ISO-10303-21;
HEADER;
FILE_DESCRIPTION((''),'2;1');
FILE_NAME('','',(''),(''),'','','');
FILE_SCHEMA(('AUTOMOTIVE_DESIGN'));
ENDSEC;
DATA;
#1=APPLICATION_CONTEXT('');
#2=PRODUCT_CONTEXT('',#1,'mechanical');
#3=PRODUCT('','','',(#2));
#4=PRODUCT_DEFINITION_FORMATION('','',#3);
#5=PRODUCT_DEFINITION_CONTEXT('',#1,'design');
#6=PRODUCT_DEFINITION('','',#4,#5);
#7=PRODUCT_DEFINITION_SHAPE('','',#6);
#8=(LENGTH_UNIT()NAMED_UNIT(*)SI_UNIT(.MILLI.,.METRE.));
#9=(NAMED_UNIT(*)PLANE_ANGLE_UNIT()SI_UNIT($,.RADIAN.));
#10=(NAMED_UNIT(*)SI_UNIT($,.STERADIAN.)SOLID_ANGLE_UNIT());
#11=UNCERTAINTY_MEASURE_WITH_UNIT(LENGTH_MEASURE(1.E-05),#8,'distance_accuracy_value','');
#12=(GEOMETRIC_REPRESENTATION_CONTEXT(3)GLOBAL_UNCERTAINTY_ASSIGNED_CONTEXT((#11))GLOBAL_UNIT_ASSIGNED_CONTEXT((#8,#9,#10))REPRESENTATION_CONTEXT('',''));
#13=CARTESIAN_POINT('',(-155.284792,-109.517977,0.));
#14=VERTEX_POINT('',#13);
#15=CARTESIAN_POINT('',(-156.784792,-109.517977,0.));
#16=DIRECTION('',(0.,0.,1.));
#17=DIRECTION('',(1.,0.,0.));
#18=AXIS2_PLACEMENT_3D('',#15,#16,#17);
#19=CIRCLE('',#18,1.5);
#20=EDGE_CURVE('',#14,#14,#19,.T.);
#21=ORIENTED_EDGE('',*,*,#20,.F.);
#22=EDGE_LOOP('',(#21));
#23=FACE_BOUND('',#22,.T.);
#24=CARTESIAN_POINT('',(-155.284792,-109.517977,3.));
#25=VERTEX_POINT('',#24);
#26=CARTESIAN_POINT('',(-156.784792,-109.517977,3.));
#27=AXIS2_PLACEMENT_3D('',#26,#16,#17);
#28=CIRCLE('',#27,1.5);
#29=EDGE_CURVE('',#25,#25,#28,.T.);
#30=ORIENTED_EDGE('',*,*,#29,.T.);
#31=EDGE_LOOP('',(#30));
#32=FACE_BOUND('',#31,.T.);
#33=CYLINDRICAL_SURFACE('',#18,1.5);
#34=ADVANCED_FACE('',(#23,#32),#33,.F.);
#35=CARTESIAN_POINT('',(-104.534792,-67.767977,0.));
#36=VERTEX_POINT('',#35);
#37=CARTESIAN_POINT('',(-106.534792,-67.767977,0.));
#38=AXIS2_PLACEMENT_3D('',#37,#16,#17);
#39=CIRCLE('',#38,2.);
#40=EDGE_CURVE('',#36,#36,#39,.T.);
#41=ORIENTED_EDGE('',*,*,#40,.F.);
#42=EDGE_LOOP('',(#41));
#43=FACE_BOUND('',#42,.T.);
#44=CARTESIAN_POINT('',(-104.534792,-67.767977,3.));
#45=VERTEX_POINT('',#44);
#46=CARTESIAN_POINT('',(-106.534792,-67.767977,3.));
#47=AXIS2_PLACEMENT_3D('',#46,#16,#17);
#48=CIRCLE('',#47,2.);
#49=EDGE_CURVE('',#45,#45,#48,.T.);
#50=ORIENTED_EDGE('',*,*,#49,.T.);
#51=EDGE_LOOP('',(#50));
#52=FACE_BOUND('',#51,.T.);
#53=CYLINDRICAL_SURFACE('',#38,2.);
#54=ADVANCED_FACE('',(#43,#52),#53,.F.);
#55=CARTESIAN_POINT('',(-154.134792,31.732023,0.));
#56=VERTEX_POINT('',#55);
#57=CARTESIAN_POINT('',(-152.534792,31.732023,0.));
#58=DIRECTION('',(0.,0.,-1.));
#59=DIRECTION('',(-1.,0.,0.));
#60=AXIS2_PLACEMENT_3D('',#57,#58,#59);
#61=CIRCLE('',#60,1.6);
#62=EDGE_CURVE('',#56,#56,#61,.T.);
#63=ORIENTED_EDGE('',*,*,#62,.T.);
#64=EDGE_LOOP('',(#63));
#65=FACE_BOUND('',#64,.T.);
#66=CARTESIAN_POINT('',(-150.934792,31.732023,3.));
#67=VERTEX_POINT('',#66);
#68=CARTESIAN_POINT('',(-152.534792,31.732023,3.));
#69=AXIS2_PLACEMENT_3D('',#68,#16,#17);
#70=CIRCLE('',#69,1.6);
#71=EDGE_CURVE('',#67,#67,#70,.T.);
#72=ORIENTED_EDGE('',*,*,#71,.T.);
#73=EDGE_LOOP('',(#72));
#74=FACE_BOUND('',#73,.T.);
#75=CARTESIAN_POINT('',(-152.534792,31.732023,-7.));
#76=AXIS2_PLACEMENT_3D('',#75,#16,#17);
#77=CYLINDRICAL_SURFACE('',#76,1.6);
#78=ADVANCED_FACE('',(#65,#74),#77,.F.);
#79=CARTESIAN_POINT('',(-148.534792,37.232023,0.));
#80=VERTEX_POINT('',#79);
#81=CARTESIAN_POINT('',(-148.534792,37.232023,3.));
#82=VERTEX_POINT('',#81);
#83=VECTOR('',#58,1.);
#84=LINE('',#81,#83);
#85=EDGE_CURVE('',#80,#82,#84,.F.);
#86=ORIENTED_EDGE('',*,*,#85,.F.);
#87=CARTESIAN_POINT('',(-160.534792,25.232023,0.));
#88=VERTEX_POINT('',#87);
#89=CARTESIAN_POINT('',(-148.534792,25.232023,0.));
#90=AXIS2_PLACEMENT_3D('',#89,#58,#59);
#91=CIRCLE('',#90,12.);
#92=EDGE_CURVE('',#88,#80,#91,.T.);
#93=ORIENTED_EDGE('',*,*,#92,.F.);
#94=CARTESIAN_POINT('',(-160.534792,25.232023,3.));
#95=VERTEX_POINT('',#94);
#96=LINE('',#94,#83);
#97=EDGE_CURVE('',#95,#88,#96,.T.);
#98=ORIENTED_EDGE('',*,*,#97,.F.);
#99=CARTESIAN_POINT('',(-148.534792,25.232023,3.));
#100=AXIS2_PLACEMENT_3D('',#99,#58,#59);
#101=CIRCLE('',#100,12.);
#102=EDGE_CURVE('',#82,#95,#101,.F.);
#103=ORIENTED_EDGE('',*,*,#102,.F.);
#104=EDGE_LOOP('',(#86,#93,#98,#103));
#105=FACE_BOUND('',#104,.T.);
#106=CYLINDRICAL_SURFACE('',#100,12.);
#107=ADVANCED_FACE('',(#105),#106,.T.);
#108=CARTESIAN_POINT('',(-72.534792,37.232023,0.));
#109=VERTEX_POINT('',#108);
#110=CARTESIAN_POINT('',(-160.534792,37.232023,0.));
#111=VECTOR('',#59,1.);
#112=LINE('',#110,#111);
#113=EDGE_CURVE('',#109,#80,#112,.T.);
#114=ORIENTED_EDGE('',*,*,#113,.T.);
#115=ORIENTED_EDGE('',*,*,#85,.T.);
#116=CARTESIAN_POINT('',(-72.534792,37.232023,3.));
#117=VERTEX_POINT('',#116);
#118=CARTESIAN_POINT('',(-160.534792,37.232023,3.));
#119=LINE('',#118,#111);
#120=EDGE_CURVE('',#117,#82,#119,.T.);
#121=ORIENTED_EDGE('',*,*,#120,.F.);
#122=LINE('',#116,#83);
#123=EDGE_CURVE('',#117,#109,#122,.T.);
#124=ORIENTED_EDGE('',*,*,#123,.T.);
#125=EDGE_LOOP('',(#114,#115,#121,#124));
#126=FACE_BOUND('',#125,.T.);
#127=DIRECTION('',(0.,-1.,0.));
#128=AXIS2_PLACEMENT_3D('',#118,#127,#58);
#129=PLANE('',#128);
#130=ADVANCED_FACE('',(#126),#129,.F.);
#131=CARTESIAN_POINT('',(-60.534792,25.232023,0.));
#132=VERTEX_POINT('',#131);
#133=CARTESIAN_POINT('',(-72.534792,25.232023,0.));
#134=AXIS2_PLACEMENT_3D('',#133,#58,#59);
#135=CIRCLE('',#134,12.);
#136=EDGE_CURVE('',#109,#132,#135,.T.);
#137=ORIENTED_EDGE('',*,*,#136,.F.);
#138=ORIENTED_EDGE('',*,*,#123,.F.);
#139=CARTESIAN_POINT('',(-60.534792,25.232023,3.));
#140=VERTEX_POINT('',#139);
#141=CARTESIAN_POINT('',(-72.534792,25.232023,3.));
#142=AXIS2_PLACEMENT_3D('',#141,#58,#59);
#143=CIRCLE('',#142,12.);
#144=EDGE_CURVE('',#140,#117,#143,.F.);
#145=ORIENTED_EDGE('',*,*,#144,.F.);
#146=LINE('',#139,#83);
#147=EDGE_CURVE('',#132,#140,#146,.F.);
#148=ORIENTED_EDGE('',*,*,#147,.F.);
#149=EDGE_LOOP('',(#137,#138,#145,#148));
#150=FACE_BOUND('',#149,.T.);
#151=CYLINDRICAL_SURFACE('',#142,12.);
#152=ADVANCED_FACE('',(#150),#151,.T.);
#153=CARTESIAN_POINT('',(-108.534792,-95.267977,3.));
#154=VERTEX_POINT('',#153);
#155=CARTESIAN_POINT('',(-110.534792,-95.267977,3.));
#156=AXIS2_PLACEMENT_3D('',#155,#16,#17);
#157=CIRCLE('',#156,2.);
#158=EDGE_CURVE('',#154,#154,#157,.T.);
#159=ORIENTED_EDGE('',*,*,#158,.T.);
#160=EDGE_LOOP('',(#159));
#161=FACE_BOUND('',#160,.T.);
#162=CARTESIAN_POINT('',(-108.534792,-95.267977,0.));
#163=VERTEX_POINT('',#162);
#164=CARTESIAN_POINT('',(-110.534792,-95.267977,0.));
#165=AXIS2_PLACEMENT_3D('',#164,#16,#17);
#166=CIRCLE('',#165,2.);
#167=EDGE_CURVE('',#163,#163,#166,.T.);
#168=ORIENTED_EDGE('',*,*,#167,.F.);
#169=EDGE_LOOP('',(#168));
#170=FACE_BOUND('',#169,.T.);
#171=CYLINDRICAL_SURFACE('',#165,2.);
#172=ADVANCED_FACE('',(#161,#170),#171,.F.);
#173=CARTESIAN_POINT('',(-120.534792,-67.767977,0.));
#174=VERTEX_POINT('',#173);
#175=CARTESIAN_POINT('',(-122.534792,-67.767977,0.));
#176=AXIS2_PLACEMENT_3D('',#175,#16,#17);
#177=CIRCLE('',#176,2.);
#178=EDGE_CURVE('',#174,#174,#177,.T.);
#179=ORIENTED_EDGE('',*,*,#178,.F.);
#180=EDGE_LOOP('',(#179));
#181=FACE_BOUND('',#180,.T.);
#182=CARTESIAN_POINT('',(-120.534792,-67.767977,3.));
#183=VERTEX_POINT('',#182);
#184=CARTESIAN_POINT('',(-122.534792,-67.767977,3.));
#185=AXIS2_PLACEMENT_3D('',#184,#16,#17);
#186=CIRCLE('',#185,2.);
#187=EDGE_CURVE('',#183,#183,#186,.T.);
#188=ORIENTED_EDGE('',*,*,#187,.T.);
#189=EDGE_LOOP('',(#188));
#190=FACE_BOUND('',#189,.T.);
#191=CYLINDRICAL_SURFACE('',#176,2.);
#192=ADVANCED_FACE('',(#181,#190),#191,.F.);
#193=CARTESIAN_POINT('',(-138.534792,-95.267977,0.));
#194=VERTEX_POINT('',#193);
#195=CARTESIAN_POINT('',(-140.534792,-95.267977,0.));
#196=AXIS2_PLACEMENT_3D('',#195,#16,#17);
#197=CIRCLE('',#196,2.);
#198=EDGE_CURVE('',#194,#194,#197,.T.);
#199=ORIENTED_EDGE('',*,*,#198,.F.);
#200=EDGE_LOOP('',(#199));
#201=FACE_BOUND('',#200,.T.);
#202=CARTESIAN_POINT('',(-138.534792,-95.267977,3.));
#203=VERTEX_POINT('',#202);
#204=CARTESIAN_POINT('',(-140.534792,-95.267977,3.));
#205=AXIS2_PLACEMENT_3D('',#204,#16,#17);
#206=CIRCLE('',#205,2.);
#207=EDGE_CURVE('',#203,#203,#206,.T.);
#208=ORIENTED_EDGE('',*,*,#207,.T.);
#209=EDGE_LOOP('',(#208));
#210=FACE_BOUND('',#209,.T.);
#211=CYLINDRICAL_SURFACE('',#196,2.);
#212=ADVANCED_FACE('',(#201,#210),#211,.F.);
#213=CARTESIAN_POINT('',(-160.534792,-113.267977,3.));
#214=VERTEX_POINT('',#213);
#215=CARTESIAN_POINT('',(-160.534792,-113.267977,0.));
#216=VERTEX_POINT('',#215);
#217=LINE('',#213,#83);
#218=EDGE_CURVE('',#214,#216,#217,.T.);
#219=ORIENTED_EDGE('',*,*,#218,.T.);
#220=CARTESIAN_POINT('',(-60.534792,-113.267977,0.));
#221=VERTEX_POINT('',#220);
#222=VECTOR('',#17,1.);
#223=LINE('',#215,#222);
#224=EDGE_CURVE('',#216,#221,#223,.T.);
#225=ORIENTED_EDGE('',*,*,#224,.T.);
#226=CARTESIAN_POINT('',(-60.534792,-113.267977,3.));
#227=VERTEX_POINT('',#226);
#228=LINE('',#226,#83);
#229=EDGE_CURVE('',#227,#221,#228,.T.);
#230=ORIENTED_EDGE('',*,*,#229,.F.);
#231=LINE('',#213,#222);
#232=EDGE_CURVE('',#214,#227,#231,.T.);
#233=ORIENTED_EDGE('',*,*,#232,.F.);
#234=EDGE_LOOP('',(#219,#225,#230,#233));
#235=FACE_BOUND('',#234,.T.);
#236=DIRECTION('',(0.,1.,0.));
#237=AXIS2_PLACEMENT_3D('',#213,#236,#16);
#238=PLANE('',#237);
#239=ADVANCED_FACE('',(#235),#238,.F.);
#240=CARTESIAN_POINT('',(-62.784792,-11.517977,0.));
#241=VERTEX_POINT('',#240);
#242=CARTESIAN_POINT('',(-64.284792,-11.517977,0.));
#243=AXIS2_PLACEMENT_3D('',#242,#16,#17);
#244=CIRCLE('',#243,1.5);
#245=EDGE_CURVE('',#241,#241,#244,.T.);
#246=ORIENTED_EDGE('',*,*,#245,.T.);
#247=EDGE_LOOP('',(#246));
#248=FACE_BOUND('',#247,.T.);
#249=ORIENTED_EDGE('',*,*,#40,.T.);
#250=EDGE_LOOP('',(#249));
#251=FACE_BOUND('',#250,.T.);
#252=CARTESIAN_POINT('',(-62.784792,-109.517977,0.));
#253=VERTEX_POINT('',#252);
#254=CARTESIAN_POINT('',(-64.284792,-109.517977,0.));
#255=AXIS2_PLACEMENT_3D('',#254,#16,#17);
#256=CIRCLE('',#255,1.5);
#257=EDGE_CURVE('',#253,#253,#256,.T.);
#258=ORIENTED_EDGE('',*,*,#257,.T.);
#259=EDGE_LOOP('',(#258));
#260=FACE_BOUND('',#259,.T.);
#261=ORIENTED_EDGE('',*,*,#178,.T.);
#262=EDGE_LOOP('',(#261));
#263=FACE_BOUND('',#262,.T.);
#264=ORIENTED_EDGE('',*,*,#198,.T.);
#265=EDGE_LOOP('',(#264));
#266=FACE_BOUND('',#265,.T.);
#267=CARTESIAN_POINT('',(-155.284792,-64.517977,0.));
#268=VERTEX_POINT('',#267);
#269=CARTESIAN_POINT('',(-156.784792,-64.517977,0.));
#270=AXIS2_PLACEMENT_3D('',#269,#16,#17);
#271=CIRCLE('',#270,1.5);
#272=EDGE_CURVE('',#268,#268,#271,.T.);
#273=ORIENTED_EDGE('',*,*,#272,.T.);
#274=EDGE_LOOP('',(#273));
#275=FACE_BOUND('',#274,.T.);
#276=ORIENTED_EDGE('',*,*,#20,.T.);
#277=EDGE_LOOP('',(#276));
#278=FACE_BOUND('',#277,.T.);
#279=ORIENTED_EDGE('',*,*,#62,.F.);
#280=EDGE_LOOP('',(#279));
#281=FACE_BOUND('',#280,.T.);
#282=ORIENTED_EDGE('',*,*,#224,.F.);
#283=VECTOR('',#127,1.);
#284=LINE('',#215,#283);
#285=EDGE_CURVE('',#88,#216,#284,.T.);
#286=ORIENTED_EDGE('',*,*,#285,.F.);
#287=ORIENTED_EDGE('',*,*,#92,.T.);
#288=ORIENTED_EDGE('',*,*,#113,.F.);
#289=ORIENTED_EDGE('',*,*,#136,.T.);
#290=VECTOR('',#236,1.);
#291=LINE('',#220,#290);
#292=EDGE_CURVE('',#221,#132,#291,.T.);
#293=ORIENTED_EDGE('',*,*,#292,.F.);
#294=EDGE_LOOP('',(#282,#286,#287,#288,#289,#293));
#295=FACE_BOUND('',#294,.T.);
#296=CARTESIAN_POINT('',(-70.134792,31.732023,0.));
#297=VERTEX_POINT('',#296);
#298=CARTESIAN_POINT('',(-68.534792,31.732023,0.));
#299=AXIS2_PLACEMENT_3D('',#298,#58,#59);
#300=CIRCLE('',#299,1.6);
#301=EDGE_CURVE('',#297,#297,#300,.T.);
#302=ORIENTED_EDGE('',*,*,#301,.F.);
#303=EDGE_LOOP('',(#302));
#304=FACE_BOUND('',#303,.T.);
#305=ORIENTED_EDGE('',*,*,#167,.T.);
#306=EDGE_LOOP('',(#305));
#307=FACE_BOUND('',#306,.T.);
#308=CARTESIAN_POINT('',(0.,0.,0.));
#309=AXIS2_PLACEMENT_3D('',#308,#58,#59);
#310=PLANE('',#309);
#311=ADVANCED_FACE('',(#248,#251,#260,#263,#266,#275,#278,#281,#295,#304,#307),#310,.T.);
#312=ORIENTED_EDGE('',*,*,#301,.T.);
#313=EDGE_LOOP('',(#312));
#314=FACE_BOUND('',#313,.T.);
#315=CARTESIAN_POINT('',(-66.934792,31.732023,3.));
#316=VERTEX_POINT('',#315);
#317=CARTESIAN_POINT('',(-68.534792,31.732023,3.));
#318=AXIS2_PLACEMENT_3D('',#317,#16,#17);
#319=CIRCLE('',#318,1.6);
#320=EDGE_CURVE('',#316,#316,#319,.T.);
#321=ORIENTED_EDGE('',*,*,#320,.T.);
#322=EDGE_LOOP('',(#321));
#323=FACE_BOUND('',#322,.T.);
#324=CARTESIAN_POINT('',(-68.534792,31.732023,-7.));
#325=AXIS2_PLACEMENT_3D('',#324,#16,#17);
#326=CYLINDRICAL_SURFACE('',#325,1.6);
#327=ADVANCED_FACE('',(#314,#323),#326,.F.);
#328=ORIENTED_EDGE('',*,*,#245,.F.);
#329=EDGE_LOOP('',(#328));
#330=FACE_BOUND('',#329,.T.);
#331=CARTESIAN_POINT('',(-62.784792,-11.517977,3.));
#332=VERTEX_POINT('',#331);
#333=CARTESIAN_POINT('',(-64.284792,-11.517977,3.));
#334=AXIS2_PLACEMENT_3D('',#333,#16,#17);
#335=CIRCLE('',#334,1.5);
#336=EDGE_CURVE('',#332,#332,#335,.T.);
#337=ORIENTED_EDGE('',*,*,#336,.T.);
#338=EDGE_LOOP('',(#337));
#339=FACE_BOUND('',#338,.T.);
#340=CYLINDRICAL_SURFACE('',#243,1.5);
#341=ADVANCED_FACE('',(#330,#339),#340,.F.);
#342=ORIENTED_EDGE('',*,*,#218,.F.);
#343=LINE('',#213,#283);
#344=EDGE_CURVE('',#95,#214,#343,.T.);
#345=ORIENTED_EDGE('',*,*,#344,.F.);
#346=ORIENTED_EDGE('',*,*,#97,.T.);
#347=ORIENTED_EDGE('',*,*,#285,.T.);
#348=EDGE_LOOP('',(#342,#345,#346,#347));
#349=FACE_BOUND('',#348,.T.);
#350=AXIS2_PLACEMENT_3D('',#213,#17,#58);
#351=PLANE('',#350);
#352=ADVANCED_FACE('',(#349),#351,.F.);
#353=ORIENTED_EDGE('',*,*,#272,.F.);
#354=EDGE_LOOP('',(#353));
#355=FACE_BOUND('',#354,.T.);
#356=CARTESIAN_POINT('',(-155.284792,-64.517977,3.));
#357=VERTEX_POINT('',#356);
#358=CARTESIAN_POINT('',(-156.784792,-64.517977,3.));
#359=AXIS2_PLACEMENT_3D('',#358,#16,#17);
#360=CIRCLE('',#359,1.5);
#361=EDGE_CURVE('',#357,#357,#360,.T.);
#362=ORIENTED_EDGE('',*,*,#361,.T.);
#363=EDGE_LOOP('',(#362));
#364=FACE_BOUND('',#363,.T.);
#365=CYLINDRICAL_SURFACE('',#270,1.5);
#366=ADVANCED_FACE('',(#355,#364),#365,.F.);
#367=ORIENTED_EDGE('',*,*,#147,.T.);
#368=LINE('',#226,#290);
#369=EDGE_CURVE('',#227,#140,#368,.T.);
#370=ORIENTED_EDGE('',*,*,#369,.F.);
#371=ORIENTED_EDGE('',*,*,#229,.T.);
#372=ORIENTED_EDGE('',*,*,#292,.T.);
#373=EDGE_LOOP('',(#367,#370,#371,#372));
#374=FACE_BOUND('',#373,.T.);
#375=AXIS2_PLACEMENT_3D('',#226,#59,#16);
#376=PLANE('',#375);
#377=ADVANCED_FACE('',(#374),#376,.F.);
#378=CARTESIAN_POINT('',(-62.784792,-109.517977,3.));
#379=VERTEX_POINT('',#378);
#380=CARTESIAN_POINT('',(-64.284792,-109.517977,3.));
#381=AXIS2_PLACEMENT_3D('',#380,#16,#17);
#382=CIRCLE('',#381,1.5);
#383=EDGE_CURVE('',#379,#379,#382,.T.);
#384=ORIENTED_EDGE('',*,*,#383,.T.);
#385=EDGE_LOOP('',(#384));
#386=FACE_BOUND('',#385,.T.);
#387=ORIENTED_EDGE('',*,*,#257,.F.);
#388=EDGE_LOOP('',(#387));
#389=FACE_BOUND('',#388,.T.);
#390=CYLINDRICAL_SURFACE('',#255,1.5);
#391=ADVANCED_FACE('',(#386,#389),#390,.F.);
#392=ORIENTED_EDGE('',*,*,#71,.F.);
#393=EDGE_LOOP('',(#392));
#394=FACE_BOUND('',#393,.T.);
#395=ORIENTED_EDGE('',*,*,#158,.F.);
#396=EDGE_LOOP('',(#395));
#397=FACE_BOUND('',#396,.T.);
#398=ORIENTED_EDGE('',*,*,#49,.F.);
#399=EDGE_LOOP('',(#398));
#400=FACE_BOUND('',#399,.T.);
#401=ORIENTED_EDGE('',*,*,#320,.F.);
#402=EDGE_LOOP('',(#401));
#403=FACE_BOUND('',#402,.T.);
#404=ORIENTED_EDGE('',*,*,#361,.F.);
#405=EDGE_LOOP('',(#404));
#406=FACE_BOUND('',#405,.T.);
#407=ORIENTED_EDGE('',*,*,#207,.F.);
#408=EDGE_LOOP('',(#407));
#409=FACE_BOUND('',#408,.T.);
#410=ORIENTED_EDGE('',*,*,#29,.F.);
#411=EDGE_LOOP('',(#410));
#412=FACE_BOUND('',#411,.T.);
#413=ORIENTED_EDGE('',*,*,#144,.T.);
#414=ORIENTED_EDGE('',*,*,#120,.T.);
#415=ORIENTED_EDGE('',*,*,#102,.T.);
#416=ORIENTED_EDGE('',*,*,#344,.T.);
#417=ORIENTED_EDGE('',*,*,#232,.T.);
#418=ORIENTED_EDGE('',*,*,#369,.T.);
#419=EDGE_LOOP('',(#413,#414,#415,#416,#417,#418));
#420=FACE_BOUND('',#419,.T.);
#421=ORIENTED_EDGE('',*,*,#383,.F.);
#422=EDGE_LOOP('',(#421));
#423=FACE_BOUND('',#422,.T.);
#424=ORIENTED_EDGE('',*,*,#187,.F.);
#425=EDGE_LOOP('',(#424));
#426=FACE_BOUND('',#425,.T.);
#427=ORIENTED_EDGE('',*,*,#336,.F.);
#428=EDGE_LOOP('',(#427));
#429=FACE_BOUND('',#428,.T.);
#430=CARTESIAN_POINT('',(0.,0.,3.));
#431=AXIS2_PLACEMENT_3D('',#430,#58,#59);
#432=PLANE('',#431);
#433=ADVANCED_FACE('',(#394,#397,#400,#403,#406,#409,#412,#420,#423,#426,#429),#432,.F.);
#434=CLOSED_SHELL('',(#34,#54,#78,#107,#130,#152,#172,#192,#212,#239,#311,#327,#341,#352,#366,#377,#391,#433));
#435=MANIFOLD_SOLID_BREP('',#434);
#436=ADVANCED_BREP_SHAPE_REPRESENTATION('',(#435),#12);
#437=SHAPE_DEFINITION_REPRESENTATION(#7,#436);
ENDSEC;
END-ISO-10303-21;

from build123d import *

# Parameters (mm, degrees)
SKETCH1_W           = 100
SKETCH1_H           = 150.5
BOSS_EXTRUDE1_DEPTH = 3
SKETCH2_R           = 1.5
CUT_EXTRUDE1_DEPTH  = 3
SKETCH3_R           = 2
CUT_EXTRUDE2_DEPTH  = 3
FILLET1_R           = 12
SKETCH4_R           = 1.6
CUT_EXTRUDE3_DEPTH  = 10


with BuildPart() as part:
    # Sketch1 → Boss-Extrude1 (new body)
    with BuildSketch(Plane.XY):
        with Locations((-110.534791728, -38.017977095)):
            Rectangle(SKETCH1_W, SKETCH1_H)
    extrude(amount=BOSS_EXTRUDE1_DEPTH)

    # Sketch2 → Cut-Extrude1 (cut)
    with BuildSketch(Plane.XY.offset(3)):
        with Locations((-156.784791728, -109.517977095)):
            Circle(SKETCH2_R)
        with Locations((-64.284791728, -109.517977095)):
            Circle(SKETCH2_R)
        with Locations((-64.284791728, -11.517977095)):
            Circle(SKETCH2_R)
        with Locations((-156.784791728, -64.517977095)):
            Circle(SKETCH2_R)
    extrude(amount=-CUT_EXTRUDE1_DEPTH, mode=Mode.SUBTRACT)

    # Sketch3 → Cut-Extrude2 (cut)
    with BuildSketch(Plane.XY.offset(3)):
        with Locations((-140.534791728, -95.267977095)):
            Circle(SKETCH3_R)
        with Locations((-110.534791728, -95.267977095)):
            Circle(SKETCH3_R)
        with Locations((-106.534791728, -67.767977095)):
            Circle(SKETCH3_R)
        with Locations((-122.534791728, -67.767977095)):
            Circle(SKETCH3_R)
    extrude(amount=-CUT_EXTRUDE2_DEPTH, mode=Mode.SUBTRACT)

    # Fillet1
    fillet1_edges = [part.edges().sort_by_distance(p)[0] for p in [
        (-160.534791728, 37.232022905, 1.5),
        (-60.534791728, 37.232022905, 1.5),
    ]]
    fillet(fillet1_edges, radius=FILLET1_R)

    # Sketch4 → Cut-Extrude3 (cut)
    with BuildSketch(Plane.XY.offset(3)):
        with Locations((-152.534791728, 31.732022905)):
            Circle(SKETCH4_R)
        with Locations((-68.534791728, 31.732022905)):
            Circle(SKETCH4_R)
    extrude(amount=-CUT_EXTRUDE3_DEPTH, mode=Mode.SUBTRACT)


solid = part.part
